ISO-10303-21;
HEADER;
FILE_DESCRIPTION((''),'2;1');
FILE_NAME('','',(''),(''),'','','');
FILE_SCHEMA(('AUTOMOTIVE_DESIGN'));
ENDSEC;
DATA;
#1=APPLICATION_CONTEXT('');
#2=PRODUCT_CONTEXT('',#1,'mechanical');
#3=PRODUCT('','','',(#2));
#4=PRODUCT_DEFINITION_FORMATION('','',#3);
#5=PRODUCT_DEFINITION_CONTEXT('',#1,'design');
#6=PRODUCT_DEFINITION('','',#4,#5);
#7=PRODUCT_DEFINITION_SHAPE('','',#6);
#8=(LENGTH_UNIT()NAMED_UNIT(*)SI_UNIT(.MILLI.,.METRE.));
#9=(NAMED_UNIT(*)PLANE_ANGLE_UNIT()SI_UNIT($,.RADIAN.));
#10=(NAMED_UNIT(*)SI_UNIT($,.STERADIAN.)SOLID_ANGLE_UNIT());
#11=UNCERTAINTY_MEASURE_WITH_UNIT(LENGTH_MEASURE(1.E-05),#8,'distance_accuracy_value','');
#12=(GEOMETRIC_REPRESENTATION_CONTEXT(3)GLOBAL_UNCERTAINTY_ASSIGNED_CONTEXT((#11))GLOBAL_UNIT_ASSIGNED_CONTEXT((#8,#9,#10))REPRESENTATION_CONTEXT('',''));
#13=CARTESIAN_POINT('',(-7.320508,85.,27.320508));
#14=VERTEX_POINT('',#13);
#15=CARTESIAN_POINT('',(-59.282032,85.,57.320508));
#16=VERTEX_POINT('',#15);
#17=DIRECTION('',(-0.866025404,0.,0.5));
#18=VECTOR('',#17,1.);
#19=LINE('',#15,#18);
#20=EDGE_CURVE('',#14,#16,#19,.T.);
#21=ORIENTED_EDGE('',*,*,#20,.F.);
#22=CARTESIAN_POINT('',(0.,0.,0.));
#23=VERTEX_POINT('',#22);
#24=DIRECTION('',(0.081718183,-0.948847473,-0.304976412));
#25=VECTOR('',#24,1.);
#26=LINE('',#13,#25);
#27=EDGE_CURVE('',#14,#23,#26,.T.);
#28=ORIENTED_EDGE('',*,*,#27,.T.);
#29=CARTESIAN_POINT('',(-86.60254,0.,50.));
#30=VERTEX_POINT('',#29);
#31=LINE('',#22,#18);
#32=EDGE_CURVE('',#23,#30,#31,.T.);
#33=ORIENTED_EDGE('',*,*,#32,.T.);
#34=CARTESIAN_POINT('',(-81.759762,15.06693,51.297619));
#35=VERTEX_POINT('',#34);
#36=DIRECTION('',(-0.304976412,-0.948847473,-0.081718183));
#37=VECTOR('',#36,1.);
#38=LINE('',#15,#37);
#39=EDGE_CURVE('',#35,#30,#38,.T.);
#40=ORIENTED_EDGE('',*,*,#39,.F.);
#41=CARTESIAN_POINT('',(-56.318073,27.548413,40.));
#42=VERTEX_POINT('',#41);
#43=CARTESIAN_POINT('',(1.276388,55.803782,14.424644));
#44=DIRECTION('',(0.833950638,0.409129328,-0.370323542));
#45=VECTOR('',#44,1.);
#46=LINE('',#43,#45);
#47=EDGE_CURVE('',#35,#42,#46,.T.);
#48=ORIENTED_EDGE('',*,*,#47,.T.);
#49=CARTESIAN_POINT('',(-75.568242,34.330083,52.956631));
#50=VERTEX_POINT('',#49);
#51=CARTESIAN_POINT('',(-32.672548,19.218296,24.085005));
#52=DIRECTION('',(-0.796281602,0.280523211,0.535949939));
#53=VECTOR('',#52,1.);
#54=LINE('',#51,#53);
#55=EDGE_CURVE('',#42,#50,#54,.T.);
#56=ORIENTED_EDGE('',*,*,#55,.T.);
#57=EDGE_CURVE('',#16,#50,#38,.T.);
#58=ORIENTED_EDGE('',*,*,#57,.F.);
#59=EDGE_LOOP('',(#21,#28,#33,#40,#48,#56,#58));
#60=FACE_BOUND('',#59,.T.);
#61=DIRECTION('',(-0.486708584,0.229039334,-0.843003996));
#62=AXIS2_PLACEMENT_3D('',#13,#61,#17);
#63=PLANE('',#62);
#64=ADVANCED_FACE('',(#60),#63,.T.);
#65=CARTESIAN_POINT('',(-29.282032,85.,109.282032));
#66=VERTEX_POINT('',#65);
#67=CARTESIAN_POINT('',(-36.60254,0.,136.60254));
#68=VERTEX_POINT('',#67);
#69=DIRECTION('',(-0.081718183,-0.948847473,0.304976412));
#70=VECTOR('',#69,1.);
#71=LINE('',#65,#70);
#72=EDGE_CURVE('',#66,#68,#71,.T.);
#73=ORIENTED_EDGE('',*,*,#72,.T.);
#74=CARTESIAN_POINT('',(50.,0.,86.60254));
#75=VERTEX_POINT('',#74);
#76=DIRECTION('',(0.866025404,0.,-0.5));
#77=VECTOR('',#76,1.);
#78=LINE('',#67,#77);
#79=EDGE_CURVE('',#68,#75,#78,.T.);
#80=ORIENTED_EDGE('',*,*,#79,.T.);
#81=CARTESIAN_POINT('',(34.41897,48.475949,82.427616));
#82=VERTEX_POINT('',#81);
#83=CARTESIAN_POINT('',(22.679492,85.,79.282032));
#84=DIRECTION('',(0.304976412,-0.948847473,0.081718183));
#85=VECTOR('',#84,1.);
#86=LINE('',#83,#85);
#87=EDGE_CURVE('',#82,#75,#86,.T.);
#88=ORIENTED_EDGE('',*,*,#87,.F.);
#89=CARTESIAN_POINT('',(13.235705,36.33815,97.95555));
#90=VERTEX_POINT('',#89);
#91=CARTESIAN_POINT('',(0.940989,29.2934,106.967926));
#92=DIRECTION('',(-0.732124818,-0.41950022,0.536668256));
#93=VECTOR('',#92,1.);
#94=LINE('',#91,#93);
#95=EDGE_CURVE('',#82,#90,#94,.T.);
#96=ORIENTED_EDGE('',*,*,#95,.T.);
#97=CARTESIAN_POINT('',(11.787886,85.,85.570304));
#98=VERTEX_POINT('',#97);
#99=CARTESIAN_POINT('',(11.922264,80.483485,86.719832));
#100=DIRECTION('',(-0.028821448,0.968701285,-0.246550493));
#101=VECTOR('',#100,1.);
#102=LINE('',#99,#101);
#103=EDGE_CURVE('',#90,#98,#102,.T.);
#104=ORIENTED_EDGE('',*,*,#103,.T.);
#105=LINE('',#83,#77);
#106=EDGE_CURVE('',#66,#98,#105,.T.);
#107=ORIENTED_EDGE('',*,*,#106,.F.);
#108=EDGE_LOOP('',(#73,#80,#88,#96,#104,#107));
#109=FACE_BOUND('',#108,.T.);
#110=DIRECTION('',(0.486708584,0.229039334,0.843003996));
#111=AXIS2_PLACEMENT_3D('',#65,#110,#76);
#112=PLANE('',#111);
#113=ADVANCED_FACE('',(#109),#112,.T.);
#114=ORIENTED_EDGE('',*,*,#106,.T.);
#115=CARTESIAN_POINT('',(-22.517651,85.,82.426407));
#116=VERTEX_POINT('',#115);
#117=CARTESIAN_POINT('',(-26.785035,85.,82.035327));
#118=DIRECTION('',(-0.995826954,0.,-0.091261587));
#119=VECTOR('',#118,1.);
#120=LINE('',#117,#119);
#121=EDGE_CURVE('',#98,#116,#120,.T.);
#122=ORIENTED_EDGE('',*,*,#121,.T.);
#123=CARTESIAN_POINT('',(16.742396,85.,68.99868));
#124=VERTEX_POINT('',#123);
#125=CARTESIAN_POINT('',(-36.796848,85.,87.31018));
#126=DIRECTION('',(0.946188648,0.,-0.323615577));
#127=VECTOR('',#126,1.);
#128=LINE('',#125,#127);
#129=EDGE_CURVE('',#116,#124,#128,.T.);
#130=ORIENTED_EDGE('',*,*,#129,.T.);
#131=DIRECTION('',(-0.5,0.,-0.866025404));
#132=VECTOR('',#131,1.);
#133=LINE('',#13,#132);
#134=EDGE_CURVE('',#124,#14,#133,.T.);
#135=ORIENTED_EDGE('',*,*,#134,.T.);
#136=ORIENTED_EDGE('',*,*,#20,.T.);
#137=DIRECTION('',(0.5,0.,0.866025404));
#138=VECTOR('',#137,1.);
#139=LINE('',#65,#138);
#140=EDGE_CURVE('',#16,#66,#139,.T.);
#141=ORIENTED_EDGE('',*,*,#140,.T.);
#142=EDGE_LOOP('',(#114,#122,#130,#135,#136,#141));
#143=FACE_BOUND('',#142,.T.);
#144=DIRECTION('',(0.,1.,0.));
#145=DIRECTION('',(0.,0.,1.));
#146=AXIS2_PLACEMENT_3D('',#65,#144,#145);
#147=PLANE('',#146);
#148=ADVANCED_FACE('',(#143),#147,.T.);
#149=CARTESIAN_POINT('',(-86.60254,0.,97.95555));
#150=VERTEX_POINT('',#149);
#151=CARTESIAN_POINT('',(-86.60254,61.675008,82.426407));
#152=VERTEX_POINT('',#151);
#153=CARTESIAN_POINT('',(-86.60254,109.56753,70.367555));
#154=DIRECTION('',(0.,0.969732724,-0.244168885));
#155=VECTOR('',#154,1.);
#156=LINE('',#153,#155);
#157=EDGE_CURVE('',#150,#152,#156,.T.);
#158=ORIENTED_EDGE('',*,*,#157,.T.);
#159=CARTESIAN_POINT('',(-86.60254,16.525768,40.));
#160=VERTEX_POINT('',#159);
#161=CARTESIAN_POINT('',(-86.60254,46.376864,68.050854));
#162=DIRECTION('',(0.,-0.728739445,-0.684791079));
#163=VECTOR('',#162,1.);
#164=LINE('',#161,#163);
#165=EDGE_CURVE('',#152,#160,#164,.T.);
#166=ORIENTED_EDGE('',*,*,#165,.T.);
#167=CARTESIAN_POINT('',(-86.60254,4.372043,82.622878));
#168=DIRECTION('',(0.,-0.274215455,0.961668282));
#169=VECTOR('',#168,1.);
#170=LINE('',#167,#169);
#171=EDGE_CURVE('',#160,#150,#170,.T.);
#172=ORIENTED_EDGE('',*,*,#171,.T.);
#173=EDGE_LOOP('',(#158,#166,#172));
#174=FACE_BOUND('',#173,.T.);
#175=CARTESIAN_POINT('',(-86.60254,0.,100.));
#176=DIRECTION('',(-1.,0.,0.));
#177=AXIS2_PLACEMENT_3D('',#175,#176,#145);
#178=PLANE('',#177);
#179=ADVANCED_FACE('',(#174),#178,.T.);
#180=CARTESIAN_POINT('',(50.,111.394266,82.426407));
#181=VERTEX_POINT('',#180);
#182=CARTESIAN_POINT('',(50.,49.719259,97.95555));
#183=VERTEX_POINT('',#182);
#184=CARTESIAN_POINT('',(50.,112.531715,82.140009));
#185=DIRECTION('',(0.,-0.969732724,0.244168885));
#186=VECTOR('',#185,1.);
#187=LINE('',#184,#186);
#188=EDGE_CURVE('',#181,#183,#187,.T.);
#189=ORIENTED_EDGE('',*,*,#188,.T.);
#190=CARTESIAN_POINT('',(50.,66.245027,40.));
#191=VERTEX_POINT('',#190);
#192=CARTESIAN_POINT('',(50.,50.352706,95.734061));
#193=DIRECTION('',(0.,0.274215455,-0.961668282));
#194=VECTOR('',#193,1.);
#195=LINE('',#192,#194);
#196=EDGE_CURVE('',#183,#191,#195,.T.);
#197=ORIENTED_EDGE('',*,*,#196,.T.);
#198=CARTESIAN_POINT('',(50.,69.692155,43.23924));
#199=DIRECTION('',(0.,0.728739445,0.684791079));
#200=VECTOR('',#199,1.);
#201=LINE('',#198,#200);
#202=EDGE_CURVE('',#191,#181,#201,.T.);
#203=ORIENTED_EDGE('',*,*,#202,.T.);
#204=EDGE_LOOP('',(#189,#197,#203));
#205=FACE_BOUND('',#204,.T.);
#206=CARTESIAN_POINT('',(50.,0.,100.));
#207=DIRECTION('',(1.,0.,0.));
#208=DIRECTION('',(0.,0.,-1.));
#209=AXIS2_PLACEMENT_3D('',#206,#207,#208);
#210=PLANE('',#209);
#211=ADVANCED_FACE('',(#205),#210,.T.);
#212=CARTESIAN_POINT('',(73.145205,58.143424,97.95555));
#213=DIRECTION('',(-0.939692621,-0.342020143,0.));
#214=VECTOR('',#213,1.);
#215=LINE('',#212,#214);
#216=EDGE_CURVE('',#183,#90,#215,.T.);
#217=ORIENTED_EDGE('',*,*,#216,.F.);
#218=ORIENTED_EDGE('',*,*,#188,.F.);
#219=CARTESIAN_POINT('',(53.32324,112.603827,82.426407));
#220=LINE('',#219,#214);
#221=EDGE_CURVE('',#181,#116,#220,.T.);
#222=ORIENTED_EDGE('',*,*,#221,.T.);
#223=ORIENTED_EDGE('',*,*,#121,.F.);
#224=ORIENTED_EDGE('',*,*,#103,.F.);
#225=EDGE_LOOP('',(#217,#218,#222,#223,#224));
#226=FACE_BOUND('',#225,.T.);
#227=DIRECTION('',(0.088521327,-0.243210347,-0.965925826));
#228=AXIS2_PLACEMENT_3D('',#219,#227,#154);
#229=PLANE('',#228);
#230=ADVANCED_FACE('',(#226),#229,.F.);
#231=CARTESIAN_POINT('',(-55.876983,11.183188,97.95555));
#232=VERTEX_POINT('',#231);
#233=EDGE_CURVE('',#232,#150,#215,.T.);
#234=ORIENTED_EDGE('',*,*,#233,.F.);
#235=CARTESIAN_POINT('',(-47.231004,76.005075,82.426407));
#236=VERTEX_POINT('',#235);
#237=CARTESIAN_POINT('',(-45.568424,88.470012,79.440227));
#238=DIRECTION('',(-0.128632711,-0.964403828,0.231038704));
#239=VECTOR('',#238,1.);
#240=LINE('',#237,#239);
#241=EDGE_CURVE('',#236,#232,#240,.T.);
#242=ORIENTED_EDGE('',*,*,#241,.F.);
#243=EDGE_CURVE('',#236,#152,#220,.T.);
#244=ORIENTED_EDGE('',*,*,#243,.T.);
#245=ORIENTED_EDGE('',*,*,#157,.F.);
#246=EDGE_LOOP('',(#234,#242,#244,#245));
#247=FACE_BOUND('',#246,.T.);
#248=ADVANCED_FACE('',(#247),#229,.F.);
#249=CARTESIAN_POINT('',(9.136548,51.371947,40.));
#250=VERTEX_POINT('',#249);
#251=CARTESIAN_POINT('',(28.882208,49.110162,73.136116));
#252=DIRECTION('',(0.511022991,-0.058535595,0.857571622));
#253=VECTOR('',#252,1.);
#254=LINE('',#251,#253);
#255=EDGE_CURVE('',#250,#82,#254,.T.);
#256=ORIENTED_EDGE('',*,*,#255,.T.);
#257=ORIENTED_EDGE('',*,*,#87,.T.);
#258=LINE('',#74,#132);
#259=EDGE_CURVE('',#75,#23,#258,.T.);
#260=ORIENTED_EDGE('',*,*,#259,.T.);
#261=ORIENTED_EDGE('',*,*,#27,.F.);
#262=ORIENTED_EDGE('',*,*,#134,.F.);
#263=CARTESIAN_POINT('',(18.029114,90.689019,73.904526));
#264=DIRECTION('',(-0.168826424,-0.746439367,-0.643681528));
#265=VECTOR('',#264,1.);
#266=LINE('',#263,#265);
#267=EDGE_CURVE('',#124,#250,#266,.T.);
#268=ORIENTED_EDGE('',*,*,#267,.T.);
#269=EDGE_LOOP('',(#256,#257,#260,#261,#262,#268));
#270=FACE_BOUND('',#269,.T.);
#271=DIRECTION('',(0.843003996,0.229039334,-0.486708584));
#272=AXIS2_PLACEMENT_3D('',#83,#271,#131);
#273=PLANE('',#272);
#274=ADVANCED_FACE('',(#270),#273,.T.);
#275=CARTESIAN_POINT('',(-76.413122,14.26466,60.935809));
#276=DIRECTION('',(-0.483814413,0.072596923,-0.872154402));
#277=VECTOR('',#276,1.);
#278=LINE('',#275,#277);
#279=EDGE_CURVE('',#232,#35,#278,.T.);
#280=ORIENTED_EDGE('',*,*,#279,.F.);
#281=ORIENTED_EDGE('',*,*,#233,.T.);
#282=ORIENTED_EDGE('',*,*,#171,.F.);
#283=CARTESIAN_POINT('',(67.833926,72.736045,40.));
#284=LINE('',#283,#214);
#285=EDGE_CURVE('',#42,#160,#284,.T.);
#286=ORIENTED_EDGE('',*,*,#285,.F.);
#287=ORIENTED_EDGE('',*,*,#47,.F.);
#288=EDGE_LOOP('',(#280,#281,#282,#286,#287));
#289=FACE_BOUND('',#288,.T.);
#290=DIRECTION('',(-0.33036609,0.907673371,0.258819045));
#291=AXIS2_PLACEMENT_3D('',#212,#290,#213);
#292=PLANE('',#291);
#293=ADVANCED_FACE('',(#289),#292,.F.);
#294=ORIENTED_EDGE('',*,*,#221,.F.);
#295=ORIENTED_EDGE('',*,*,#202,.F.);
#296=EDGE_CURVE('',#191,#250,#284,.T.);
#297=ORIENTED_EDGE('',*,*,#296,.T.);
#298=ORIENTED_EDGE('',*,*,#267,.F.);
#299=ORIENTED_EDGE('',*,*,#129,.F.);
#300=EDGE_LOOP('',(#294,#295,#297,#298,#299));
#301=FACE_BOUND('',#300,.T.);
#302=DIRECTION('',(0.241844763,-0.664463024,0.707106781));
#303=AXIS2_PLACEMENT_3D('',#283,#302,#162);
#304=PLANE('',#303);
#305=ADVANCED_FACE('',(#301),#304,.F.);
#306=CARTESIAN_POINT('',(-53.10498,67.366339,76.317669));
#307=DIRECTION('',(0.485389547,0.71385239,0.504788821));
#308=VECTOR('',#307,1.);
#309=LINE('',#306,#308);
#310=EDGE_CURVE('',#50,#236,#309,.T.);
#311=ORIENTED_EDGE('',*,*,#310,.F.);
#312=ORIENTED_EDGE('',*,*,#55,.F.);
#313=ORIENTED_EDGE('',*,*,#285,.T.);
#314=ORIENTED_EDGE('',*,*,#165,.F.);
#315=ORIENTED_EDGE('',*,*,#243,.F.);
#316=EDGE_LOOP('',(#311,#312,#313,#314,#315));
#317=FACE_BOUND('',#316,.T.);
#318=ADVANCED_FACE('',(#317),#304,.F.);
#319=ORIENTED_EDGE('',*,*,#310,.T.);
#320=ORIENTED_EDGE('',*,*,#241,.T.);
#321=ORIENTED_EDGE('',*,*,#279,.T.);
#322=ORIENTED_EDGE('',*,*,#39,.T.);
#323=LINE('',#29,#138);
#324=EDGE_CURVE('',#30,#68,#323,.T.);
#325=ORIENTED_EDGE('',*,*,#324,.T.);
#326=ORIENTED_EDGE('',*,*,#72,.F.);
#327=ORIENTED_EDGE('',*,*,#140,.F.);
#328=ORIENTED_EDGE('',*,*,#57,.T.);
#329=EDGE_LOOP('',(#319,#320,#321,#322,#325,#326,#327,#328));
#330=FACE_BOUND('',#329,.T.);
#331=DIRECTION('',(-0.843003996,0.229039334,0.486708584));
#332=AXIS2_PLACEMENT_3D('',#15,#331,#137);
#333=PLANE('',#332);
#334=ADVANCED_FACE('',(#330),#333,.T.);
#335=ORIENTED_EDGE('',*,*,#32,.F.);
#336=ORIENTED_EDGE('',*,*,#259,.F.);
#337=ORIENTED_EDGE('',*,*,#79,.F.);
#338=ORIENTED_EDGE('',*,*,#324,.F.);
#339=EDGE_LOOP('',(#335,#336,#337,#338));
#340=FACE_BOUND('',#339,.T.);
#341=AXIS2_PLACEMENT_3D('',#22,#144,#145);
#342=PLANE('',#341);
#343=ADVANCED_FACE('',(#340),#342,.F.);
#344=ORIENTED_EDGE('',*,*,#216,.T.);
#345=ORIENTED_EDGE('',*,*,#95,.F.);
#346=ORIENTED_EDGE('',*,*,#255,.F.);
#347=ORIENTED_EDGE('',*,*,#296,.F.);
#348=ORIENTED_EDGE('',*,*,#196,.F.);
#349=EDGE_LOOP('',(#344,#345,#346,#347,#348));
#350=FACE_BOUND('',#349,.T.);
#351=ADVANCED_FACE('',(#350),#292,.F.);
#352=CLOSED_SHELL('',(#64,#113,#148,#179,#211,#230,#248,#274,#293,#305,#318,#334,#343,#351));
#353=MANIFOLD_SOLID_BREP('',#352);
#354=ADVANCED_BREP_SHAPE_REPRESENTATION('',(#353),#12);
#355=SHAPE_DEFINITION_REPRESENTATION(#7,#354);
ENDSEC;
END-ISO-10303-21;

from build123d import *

# Parameters (mm, degrees)
TRIANGULAR_PRISM_DEPTH = 170
SKETCH5_W              = 20.831302692
SKETCH5_H              = 63.48520277
SKETCH5_W_2            = 25.650693989
SKETCH5_H_2            = 114.24619151
CUT_EXTRUDE1_DEPTH     = 100


with BuildPart() as part:
    # Sketch2 → Pyramid section 0
    with BuildSketch(Plane(origin=(0, 85, 0), x_dir=(-1, 0, 0), z_dir=(0, 1, 0))):
        Polygon((59.282032303, 57.320508076), (7.320508076, 27.320508076), (-22.679491924, 79.282032303), (29.282032303, 109.282032303), align=None)
    # Sketch1 → Pyramid section 1
    with BuildSketch(Plane(origin=(0, 0, 0), x_dir=(1, 0, 0), z_dir=(0, 1, 0))):
        Polygon((0, 0), (-86.602540378, -50), (-36.602540378, -136.602540378), (50, -86.602540378), align=None)
    loft()

    # Sketch4 → Triangular Prism (add)
    with BuildSketch(Plane(origin=(-76.471967598, -27.833519961, 0), x_dir=(0, 0, -1), z_dir=(0.939692621, 0.342020143, 0))):
        Polygon((-97.955549577, 29.619813273), (-40, 45.148955979), (-82.426406871, 87.57536285), align=None)
    extrude(amount=TRIANGULAR_PRISM_DEPTH)

    # Sketch5 → Cut-Extrude1 (cut)
    with BuildSketch(Plane.XY):
        with Locations((-97.018191724, 31.742601385)):
            Rectangle(SKETCH5_W, SKETCH5_H)
        with Locations((62.825346995, 57.123095755)):
            Rectangle(SKETCH5_W_2, SKETCH5_H_2)
    extrude(amount=CUT_EXTRUDE1_DEPTH, mode=Mode.SUBTRACT)


solid = part.part
